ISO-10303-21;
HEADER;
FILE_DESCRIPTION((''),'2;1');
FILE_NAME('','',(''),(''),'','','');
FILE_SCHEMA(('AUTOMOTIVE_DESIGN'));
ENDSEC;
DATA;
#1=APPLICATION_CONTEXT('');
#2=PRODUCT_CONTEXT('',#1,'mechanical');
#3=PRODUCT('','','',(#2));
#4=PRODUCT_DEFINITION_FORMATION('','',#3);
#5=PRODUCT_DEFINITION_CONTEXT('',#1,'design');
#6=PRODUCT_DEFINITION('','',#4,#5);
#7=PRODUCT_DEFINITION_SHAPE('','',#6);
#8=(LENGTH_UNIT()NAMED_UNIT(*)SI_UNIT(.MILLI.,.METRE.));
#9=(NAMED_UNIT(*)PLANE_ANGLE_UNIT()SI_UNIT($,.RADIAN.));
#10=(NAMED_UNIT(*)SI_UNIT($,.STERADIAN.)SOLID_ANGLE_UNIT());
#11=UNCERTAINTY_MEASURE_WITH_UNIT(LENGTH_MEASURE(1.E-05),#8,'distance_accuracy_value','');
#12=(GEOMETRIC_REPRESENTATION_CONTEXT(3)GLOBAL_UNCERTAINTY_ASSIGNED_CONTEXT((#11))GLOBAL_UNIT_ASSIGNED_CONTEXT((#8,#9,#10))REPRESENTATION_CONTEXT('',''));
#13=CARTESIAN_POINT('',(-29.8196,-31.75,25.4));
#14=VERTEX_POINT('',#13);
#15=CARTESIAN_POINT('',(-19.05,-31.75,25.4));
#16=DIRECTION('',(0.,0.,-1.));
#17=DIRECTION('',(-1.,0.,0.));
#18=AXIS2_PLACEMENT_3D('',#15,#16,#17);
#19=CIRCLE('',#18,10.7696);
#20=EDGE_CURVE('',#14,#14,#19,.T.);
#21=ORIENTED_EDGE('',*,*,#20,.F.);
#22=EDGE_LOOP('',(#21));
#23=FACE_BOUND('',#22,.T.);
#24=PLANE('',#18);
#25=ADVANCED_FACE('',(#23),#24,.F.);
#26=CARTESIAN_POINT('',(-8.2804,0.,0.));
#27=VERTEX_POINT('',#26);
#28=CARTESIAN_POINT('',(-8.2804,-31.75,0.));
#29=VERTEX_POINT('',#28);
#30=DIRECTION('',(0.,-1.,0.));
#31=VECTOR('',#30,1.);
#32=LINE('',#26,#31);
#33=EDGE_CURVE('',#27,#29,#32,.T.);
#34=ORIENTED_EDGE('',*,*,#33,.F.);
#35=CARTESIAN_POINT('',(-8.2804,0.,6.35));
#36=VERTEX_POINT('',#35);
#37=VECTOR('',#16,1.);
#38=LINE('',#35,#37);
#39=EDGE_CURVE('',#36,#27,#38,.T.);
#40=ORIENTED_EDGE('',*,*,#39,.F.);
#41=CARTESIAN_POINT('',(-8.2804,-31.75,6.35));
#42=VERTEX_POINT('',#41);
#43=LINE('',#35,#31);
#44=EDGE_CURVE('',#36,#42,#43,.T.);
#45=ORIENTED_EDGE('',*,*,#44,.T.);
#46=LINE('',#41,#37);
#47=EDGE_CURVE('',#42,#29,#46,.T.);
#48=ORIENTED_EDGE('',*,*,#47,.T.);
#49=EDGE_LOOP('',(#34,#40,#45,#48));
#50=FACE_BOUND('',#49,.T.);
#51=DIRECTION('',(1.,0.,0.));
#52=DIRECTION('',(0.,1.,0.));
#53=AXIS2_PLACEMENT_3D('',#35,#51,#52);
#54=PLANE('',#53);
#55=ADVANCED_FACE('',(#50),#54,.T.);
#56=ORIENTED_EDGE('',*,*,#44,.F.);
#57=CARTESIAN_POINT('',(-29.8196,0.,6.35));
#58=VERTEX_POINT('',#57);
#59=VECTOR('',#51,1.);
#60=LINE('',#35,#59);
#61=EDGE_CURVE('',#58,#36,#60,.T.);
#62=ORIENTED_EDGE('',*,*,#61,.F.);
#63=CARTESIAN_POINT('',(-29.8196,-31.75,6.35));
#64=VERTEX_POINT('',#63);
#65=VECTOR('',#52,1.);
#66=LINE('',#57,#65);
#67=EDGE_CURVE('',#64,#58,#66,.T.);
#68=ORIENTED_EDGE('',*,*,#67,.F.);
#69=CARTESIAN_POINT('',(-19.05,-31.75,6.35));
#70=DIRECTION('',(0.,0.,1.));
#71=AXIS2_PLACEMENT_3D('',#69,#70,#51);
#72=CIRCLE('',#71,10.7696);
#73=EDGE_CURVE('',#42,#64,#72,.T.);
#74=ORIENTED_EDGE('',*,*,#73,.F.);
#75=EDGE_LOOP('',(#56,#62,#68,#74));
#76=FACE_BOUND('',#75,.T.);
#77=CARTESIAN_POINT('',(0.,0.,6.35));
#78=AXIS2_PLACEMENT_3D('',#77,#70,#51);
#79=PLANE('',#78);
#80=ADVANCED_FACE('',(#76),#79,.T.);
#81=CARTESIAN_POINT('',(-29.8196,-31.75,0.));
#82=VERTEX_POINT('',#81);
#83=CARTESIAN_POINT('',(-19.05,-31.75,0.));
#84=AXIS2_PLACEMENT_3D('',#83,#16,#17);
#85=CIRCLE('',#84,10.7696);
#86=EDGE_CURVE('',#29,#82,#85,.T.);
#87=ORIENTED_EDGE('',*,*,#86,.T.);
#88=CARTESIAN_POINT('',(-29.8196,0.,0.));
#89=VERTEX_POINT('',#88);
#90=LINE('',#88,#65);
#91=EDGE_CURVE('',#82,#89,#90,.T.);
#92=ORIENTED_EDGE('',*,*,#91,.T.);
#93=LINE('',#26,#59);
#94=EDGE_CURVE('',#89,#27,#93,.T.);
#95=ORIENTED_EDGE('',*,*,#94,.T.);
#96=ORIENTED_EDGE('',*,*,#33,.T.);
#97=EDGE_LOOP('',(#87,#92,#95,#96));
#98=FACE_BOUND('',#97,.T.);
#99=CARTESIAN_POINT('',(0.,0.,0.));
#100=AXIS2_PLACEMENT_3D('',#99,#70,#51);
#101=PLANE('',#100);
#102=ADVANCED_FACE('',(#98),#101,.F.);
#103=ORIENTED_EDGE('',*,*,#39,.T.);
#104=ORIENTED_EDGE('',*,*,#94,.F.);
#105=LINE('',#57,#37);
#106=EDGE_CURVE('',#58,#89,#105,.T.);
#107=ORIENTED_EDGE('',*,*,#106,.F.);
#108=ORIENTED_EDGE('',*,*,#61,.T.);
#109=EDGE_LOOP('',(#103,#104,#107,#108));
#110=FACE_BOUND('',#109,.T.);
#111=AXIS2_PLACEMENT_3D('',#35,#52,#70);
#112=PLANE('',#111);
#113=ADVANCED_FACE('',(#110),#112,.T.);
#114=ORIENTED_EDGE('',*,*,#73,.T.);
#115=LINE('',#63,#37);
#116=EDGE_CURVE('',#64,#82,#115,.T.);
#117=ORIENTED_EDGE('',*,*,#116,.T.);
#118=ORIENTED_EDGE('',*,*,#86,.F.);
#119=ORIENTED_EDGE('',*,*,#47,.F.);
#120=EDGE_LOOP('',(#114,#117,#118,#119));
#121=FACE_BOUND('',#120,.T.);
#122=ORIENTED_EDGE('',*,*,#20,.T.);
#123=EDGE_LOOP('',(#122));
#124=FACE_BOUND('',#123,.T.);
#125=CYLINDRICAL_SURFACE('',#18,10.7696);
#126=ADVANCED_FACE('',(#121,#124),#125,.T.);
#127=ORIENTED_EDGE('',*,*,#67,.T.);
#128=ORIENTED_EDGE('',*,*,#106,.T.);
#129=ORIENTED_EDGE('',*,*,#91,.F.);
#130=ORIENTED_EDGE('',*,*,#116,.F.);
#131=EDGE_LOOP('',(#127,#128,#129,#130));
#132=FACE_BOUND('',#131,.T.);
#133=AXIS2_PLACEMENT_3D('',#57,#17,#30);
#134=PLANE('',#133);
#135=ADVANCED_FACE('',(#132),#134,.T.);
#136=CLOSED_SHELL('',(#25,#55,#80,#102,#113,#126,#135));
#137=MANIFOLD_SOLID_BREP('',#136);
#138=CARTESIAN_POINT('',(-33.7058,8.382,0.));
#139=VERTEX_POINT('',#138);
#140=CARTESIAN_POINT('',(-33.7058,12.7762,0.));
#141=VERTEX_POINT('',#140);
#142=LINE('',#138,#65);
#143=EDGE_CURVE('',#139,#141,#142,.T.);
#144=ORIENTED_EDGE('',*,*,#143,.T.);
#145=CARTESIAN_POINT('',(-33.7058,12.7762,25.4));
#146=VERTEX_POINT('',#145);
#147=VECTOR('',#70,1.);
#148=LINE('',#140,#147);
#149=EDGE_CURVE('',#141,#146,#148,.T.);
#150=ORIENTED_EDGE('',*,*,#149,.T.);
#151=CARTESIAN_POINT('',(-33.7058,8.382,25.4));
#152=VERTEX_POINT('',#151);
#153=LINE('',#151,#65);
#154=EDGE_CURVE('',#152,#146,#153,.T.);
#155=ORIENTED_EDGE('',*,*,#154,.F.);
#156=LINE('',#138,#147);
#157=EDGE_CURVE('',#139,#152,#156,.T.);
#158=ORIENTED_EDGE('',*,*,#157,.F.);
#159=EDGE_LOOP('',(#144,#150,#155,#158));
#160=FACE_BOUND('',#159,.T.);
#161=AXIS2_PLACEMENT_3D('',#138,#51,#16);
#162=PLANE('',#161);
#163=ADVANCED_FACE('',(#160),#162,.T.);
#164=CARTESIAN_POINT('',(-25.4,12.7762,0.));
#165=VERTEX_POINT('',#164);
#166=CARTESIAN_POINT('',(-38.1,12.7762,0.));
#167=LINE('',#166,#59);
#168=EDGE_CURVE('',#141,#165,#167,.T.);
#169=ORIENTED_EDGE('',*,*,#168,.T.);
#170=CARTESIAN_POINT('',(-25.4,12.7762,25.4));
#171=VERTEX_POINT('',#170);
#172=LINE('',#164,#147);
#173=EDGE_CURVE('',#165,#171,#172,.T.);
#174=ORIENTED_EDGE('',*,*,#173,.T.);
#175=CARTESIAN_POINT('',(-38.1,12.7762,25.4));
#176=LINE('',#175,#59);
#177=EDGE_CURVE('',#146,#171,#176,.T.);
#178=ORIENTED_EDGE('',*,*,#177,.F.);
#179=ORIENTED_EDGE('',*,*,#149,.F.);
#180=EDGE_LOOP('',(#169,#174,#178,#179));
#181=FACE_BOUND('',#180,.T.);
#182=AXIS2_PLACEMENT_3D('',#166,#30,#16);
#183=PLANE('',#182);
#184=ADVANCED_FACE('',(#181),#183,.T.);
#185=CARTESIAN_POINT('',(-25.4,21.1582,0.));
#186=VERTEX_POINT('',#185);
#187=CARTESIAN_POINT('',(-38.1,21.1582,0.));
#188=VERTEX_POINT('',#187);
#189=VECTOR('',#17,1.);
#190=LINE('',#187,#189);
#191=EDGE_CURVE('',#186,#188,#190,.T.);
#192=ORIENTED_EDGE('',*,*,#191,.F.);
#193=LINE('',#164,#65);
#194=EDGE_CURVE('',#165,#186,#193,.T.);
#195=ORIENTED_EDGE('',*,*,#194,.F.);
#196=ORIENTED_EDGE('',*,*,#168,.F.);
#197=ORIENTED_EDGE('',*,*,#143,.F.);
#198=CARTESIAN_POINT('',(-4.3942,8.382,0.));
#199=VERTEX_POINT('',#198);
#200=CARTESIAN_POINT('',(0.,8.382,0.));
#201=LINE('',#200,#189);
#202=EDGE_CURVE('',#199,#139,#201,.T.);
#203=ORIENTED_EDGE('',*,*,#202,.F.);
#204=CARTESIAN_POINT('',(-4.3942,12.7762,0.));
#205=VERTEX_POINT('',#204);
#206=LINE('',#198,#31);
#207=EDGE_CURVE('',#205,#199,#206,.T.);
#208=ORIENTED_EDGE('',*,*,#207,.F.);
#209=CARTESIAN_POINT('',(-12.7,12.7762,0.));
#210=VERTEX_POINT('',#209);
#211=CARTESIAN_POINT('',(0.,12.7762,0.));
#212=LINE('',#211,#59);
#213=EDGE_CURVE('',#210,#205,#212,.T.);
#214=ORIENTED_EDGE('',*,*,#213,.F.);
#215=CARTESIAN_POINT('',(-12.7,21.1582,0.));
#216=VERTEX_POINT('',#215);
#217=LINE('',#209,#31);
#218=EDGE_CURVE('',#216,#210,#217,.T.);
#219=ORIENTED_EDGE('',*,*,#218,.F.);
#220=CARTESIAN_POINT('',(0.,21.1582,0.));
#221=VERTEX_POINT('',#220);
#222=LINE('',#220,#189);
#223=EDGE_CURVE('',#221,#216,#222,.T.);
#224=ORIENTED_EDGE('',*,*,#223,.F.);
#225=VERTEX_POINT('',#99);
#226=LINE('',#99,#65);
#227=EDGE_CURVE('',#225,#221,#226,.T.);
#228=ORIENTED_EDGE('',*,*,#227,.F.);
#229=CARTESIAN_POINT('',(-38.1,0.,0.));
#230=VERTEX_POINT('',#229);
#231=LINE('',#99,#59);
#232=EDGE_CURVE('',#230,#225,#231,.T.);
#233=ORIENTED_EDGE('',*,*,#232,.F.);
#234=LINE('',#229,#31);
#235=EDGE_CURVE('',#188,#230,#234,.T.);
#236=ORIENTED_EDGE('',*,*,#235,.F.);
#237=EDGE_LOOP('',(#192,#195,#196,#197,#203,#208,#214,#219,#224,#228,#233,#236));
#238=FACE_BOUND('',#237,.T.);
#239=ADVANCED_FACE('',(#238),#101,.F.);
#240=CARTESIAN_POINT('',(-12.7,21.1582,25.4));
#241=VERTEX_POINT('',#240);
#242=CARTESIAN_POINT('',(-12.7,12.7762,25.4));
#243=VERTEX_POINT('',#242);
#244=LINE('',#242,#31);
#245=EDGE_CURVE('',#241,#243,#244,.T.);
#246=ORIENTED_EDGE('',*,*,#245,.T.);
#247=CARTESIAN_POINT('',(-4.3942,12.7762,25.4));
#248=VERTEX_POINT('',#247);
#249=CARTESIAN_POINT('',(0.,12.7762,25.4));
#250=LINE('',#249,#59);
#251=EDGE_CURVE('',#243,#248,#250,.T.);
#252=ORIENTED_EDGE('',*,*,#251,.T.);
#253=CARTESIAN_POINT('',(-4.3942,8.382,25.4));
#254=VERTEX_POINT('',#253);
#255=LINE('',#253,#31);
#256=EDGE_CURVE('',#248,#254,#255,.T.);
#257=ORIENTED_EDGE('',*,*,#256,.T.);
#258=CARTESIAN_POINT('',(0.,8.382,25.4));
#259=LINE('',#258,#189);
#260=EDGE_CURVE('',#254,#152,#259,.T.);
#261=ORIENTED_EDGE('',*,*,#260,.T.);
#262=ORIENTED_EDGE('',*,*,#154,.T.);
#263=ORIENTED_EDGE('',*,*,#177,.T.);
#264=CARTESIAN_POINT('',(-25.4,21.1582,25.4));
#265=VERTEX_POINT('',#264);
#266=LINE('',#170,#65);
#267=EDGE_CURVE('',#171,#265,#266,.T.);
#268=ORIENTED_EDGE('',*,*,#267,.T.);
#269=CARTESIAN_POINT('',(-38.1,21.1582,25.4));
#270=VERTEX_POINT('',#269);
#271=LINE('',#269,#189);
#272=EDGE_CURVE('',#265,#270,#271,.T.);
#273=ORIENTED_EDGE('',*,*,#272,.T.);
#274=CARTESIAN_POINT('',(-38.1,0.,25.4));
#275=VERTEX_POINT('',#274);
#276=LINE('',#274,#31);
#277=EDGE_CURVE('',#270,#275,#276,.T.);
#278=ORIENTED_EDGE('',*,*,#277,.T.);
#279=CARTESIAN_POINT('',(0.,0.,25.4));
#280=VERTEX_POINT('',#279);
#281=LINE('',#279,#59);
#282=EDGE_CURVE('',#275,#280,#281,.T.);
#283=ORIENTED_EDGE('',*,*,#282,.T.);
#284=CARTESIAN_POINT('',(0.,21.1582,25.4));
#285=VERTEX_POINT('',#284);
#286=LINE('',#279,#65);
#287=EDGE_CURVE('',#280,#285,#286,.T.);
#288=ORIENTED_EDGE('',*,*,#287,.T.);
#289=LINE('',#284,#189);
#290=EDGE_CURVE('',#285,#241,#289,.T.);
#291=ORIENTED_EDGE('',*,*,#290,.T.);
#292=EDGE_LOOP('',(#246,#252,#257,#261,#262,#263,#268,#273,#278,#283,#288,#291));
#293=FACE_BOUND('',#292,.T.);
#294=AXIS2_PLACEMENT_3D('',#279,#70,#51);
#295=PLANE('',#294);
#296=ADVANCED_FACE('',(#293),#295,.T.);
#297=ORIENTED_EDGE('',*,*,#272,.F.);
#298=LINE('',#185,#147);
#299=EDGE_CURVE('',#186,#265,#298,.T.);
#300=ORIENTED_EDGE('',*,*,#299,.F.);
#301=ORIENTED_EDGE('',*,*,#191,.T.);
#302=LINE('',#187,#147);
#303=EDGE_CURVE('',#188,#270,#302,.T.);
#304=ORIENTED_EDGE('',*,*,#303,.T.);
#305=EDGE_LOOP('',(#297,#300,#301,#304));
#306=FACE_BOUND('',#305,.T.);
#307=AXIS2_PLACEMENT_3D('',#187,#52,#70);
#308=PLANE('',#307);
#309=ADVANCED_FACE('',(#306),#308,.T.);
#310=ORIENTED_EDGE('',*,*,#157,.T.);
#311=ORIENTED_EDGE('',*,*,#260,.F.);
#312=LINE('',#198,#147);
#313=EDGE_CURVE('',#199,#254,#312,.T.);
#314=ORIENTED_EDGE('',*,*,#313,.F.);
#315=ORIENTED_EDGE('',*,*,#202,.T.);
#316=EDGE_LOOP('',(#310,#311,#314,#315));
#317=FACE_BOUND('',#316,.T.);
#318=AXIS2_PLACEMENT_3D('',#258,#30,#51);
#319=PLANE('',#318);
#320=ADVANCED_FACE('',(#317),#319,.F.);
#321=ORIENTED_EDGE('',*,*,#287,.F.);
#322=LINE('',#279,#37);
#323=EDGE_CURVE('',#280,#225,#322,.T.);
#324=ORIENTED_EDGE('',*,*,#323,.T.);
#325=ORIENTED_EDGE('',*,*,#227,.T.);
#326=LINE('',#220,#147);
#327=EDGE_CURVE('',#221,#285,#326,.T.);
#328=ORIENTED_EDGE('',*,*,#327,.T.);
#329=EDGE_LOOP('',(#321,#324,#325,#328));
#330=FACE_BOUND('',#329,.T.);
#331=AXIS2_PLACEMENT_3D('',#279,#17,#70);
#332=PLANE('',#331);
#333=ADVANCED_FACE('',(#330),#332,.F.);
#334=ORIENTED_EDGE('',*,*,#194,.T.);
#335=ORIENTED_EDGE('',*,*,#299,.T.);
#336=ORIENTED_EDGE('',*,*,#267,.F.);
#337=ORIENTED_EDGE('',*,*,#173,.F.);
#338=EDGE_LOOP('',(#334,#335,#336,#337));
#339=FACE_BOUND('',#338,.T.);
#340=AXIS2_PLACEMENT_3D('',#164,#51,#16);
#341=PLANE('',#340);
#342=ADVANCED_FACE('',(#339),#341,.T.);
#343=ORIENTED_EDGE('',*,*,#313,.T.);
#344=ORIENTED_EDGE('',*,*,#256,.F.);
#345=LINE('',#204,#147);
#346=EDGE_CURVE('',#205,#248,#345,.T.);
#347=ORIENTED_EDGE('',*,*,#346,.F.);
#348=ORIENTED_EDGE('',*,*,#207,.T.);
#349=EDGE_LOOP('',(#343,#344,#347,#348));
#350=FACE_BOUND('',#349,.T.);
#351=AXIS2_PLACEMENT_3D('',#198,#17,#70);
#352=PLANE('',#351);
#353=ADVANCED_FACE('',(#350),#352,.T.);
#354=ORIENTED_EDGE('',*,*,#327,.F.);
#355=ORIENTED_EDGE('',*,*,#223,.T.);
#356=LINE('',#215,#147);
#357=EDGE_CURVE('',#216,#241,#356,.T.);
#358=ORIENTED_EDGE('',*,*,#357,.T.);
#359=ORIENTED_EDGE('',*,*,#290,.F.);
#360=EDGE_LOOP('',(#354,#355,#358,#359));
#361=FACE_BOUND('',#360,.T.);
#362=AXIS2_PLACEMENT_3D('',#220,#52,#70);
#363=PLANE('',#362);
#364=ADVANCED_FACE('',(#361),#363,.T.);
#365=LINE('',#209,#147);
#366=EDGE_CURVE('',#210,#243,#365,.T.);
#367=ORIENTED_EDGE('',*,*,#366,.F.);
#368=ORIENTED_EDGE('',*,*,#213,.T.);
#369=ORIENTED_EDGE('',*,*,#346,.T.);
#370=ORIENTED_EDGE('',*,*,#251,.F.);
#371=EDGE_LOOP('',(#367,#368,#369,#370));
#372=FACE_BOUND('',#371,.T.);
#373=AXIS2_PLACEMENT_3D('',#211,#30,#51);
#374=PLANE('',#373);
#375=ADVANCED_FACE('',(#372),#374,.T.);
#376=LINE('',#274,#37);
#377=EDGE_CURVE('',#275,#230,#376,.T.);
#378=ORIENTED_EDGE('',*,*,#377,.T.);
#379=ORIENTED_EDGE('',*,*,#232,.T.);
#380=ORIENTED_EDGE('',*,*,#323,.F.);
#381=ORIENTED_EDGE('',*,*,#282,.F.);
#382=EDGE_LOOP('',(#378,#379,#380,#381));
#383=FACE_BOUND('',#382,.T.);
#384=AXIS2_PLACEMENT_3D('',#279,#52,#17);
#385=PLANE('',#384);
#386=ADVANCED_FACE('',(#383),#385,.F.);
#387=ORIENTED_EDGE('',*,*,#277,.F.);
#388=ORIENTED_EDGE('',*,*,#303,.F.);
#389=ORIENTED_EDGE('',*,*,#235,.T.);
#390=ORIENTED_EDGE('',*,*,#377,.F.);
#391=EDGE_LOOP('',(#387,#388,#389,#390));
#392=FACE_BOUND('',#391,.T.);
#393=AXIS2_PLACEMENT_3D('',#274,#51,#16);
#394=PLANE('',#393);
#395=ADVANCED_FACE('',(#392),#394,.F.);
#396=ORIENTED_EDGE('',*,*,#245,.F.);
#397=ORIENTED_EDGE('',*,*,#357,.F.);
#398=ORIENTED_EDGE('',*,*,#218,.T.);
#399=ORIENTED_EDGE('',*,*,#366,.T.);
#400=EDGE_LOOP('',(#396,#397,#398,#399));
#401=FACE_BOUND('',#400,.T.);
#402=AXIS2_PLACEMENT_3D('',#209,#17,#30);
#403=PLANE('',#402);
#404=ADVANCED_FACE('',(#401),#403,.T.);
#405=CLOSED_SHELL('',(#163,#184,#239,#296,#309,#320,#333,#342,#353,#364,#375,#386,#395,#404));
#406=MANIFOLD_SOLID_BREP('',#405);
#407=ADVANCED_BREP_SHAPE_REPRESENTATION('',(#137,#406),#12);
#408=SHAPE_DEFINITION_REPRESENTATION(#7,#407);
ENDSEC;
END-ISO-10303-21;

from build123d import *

# Parameters (mm, degrees)
SKETCH1_W           = 38.1
SKETCH1_H           = 8.382
BOSS_EXTRUDE1_DEPTH = 25.4
SKETCH2_W           = 4.3942
SKETCH2_H           = 4.3942
BOSS_EXTRUDE2_DEPTH = 25.4
SKETCH3_W           = 12.7
SKETCH3_H           = 8.382
BOSS_EXTRUDE3_DEPTH = 25.4
SKETCH4_W           = 21.5392
SKETCH4_H           = 31.75
BOSS_EXTRUDE4_DEPTH = 6.35
SKETCH5_R           = 10.7696
BOSS_EXTRUDE5_DEPTH = 25.4


with BuildPart() as part:
    # Sketch1 → Boss-Extrude1 (new body)
    with BuildSketch(Plane.XY):
        with Locations((-19.05, 4.191)):
            Rectangle(SKETCH1_W, SKETCH1_H)
    extrude(amount=BOSS_EXTRUDE1_DEPTH)

    # Sketch2 → Boss-Extrude2 (add)
    with BuildSketch(Plane.XY.offset(25.4)):
        with Locations((-35.9029, 10.5791)):
            Rectangle(SKETCH2_W, SKETCH2_H)
        with Locations((-2.1971, 10.5791)):
            Rectangle(SKETCH2_W, SKETCH2_H)
    extrude(amount=-BOSS_EXTRUDE2_DEPTH)

    # Sketch3 → Boss-Extrude3 (add)
    with BuildSketch(Plane.XY.offset(25.4)):
        with Locations((-31.75, 16.9672)):
            Rectangle(SKETCH3_W, SKETCH3_H)
        with Locations((-6.35, 16.9672)):
            Rectangle(SKETCH3_W, SKETCH3_H)
    extrude(amount=-BOSS_EXTRUDE3_DEPTH)


with BuildPart() as body_2:
    # Sketch4 → Boss-Extrude4 (new body)
    with BuildSketch(Plane(origin=(0, 0, 0), x_dir=(-1, 0, 0), z_dir=(0, 0, -1))):
        with Locations((19.05, -15.875)):
            Rectangle(SKETCH4_W, SKETCH4_H)
    extrude(amount=-BOSS_EXTRUDE4_DEPTH)

    # Sketch5 → Boss-Extrude5 (add)
    with BuildSketch(Plane(origin=(0, 0, 0), x_dir=(-1, 0, 0), z_dir=(0, 0, -1))):
        with Locations((19.05, -31.75)):
            Circle(SKETCH5_R)
    extrude(amount=-BOSS_EXTRUDE5_DEPTH)


solid = Compound([part.part, body_2.part])
